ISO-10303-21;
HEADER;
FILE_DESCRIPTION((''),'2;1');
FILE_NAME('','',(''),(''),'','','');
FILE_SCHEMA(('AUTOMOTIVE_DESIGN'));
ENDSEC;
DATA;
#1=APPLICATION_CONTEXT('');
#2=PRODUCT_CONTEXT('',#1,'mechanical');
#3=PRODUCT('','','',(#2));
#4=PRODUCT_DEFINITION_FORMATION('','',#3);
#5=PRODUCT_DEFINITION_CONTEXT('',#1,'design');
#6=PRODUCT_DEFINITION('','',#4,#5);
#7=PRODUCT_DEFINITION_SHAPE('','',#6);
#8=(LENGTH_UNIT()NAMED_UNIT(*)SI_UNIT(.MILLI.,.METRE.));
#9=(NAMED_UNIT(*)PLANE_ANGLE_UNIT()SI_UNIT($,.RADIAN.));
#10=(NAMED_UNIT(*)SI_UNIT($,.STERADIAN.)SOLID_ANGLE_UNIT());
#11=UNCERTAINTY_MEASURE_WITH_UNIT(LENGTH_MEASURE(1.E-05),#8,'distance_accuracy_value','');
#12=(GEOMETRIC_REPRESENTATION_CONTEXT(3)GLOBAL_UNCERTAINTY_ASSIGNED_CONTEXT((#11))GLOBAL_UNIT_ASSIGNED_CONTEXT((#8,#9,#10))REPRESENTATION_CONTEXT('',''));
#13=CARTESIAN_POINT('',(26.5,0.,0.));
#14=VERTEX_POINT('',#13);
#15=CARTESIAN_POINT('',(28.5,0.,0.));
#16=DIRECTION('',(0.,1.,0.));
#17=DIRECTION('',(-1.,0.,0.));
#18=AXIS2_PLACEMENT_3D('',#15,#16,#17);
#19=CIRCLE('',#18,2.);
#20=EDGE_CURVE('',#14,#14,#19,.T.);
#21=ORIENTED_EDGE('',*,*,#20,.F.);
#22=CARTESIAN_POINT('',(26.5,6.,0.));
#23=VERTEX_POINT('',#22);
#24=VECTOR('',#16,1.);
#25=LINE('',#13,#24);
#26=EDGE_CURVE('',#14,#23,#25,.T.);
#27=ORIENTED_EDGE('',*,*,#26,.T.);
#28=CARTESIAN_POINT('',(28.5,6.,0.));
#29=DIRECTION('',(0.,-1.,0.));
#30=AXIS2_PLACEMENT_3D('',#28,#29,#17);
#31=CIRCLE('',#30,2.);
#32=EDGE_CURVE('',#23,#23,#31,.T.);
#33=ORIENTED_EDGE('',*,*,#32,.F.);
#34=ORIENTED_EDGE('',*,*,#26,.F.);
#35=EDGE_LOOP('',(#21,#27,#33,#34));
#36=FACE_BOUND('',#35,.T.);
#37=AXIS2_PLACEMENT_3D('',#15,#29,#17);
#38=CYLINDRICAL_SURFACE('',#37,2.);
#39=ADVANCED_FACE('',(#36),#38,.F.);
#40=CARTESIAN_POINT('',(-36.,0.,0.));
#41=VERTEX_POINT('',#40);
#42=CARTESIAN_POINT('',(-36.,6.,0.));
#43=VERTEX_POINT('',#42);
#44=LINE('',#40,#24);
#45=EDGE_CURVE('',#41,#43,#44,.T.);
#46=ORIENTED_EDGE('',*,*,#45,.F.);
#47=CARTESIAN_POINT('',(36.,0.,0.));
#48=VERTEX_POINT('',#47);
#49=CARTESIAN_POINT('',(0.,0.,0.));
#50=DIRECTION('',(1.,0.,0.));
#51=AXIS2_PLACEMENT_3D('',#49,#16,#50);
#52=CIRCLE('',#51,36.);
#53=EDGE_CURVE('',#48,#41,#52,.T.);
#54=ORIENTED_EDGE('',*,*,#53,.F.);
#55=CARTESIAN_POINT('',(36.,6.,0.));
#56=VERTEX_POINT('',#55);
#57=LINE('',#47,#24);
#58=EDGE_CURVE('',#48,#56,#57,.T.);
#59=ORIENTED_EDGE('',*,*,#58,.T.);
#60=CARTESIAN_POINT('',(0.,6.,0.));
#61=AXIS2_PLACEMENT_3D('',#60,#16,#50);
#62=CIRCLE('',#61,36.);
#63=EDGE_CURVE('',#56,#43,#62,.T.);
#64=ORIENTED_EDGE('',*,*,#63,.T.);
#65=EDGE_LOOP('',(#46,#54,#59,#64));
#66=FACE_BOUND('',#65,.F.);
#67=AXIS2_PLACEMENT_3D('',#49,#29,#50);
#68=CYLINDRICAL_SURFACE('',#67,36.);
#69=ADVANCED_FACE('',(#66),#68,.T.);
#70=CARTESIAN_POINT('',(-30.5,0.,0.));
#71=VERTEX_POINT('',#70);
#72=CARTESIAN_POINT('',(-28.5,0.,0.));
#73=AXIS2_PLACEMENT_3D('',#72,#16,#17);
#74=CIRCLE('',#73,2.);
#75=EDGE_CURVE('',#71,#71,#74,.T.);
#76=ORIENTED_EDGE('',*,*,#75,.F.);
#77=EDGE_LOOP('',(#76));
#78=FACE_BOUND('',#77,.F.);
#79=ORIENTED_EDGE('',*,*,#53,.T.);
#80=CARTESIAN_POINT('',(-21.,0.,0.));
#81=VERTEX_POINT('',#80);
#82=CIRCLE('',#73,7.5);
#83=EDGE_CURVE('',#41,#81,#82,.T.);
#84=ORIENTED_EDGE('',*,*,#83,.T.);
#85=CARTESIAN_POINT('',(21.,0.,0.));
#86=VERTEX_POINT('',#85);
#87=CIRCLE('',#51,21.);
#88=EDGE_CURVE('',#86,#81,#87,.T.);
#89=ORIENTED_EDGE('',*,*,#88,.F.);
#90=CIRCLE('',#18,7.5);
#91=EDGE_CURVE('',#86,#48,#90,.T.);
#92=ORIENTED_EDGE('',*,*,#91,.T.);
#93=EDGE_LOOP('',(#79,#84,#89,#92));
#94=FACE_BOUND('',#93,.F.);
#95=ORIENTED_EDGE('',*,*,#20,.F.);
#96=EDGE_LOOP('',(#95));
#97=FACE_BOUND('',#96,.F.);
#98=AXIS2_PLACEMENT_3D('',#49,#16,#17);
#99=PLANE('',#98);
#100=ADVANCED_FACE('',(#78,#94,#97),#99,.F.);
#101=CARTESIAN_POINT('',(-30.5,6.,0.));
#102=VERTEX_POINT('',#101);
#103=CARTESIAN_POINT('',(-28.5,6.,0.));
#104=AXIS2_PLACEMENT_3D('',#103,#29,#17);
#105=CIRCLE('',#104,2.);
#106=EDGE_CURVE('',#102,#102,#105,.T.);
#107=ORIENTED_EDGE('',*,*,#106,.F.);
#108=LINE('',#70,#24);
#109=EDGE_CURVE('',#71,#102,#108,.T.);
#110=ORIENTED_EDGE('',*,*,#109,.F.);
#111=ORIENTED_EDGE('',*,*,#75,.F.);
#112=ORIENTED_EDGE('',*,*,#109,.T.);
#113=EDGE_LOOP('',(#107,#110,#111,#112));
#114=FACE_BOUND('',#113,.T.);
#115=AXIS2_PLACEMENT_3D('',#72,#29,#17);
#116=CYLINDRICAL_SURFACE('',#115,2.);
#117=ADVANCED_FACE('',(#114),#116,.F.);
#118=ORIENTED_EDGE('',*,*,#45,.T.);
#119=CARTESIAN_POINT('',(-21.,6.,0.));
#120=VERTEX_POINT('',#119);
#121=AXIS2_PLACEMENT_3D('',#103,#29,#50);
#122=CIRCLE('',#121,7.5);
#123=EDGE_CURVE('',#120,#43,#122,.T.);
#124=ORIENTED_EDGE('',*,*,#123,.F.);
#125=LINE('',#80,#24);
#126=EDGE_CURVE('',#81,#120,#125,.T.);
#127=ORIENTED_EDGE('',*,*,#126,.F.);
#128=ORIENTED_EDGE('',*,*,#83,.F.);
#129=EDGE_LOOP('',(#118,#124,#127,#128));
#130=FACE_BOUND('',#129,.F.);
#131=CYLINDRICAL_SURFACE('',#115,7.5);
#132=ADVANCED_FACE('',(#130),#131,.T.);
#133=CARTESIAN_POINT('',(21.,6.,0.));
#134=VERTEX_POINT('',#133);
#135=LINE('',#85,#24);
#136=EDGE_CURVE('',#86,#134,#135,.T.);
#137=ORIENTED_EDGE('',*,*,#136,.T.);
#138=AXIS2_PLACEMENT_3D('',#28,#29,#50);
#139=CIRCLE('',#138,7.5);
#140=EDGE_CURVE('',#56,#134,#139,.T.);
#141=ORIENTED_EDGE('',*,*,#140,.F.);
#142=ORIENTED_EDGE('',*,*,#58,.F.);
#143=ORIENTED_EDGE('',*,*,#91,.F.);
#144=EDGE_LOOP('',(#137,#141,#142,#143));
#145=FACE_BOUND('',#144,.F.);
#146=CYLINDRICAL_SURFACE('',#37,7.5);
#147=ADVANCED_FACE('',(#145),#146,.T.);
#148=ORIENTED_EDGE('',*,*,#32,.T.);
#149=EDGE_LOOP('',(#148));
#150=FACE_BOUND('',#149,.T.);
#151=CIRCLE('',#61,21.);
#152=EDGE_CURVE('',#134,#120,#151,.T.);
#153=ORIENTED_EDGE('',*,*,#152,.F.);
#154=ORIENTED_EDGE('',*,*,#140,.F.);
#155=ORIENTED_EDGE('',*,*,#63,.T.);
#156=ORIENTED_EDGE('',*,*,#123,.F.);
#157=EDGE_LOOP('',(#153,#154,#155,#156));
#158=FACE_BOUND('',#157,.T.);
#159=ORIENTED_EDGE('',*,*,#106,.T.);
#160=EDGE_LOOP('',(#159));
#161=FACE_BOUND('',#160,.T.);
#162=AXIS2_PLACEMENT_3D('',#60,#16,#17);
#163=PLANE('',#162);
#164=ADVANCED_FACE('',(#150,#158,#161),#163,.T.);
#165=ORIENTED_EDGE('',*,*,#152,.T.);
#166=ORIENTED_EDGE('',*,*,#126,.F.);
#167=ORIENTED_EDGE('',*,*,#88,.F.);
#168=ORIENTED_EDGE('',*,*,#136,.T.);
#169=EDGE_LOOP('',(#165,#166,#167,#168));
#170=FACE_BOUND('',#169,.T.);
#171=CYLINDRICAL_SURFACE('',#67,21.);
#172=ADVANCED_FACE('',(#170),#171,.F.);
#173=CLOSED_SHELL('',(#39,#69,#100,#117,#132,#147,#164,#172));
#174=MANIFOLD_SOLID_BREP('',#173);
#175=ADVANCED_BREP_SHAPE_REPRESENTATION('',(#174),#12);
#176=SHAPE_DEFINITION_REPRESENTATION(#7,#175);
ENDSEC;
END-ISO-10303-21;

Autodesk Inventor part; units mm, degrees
ref_plane "YZ Plane" through (0, 0, 0) normal (1, 0, 0) x (0, 1, 0)
ref_plane "XZ Plane" through (0, 0, 0) normal (0, 1, 0) x (-1, 0, 0)
ref_plane "XY Plane" through (0, 0, 0) normal (0, 0, 1) x (1, 0, 0)
sketch "Sketch1" plane through (0, 0, 0) normal (0, 1, 0) x (-1, 0, 0)
  arc A0 (-21, 0) -> (21, 0) centre (0, 0) ccw
  arc A1 (-36, 0) -> (36, 0) centre (0, 0) ccw
  circle A2 centre (0, 0) radius 28.5
  circle A3 centre (28.5, 0) radius 2
  line L0 (0, 0) -> (36, 0) construction
  circle A4 centre (-28.5, 0) radius 2
  arc A5 (-21, 0) -> (-36, 0) centre (-28.5, 0) ccw
  arc A6 (36, 0) -> (21, 0) centre (28.5, 0) ccw
  dimension "d2" = 57
  dimension "d0" = 42
  dimension "d3" = 15
  dimension "d7" = 360
  dimension "d9" = 4
extrude "Extrusion1" add sketch "Sketch1" along normal blind 6 contours A0 A6 A2 A3 A4 A5 | A2 A4 A3 A6 A1 A5
properties part number "Mount" material "Plywood, Finish"
